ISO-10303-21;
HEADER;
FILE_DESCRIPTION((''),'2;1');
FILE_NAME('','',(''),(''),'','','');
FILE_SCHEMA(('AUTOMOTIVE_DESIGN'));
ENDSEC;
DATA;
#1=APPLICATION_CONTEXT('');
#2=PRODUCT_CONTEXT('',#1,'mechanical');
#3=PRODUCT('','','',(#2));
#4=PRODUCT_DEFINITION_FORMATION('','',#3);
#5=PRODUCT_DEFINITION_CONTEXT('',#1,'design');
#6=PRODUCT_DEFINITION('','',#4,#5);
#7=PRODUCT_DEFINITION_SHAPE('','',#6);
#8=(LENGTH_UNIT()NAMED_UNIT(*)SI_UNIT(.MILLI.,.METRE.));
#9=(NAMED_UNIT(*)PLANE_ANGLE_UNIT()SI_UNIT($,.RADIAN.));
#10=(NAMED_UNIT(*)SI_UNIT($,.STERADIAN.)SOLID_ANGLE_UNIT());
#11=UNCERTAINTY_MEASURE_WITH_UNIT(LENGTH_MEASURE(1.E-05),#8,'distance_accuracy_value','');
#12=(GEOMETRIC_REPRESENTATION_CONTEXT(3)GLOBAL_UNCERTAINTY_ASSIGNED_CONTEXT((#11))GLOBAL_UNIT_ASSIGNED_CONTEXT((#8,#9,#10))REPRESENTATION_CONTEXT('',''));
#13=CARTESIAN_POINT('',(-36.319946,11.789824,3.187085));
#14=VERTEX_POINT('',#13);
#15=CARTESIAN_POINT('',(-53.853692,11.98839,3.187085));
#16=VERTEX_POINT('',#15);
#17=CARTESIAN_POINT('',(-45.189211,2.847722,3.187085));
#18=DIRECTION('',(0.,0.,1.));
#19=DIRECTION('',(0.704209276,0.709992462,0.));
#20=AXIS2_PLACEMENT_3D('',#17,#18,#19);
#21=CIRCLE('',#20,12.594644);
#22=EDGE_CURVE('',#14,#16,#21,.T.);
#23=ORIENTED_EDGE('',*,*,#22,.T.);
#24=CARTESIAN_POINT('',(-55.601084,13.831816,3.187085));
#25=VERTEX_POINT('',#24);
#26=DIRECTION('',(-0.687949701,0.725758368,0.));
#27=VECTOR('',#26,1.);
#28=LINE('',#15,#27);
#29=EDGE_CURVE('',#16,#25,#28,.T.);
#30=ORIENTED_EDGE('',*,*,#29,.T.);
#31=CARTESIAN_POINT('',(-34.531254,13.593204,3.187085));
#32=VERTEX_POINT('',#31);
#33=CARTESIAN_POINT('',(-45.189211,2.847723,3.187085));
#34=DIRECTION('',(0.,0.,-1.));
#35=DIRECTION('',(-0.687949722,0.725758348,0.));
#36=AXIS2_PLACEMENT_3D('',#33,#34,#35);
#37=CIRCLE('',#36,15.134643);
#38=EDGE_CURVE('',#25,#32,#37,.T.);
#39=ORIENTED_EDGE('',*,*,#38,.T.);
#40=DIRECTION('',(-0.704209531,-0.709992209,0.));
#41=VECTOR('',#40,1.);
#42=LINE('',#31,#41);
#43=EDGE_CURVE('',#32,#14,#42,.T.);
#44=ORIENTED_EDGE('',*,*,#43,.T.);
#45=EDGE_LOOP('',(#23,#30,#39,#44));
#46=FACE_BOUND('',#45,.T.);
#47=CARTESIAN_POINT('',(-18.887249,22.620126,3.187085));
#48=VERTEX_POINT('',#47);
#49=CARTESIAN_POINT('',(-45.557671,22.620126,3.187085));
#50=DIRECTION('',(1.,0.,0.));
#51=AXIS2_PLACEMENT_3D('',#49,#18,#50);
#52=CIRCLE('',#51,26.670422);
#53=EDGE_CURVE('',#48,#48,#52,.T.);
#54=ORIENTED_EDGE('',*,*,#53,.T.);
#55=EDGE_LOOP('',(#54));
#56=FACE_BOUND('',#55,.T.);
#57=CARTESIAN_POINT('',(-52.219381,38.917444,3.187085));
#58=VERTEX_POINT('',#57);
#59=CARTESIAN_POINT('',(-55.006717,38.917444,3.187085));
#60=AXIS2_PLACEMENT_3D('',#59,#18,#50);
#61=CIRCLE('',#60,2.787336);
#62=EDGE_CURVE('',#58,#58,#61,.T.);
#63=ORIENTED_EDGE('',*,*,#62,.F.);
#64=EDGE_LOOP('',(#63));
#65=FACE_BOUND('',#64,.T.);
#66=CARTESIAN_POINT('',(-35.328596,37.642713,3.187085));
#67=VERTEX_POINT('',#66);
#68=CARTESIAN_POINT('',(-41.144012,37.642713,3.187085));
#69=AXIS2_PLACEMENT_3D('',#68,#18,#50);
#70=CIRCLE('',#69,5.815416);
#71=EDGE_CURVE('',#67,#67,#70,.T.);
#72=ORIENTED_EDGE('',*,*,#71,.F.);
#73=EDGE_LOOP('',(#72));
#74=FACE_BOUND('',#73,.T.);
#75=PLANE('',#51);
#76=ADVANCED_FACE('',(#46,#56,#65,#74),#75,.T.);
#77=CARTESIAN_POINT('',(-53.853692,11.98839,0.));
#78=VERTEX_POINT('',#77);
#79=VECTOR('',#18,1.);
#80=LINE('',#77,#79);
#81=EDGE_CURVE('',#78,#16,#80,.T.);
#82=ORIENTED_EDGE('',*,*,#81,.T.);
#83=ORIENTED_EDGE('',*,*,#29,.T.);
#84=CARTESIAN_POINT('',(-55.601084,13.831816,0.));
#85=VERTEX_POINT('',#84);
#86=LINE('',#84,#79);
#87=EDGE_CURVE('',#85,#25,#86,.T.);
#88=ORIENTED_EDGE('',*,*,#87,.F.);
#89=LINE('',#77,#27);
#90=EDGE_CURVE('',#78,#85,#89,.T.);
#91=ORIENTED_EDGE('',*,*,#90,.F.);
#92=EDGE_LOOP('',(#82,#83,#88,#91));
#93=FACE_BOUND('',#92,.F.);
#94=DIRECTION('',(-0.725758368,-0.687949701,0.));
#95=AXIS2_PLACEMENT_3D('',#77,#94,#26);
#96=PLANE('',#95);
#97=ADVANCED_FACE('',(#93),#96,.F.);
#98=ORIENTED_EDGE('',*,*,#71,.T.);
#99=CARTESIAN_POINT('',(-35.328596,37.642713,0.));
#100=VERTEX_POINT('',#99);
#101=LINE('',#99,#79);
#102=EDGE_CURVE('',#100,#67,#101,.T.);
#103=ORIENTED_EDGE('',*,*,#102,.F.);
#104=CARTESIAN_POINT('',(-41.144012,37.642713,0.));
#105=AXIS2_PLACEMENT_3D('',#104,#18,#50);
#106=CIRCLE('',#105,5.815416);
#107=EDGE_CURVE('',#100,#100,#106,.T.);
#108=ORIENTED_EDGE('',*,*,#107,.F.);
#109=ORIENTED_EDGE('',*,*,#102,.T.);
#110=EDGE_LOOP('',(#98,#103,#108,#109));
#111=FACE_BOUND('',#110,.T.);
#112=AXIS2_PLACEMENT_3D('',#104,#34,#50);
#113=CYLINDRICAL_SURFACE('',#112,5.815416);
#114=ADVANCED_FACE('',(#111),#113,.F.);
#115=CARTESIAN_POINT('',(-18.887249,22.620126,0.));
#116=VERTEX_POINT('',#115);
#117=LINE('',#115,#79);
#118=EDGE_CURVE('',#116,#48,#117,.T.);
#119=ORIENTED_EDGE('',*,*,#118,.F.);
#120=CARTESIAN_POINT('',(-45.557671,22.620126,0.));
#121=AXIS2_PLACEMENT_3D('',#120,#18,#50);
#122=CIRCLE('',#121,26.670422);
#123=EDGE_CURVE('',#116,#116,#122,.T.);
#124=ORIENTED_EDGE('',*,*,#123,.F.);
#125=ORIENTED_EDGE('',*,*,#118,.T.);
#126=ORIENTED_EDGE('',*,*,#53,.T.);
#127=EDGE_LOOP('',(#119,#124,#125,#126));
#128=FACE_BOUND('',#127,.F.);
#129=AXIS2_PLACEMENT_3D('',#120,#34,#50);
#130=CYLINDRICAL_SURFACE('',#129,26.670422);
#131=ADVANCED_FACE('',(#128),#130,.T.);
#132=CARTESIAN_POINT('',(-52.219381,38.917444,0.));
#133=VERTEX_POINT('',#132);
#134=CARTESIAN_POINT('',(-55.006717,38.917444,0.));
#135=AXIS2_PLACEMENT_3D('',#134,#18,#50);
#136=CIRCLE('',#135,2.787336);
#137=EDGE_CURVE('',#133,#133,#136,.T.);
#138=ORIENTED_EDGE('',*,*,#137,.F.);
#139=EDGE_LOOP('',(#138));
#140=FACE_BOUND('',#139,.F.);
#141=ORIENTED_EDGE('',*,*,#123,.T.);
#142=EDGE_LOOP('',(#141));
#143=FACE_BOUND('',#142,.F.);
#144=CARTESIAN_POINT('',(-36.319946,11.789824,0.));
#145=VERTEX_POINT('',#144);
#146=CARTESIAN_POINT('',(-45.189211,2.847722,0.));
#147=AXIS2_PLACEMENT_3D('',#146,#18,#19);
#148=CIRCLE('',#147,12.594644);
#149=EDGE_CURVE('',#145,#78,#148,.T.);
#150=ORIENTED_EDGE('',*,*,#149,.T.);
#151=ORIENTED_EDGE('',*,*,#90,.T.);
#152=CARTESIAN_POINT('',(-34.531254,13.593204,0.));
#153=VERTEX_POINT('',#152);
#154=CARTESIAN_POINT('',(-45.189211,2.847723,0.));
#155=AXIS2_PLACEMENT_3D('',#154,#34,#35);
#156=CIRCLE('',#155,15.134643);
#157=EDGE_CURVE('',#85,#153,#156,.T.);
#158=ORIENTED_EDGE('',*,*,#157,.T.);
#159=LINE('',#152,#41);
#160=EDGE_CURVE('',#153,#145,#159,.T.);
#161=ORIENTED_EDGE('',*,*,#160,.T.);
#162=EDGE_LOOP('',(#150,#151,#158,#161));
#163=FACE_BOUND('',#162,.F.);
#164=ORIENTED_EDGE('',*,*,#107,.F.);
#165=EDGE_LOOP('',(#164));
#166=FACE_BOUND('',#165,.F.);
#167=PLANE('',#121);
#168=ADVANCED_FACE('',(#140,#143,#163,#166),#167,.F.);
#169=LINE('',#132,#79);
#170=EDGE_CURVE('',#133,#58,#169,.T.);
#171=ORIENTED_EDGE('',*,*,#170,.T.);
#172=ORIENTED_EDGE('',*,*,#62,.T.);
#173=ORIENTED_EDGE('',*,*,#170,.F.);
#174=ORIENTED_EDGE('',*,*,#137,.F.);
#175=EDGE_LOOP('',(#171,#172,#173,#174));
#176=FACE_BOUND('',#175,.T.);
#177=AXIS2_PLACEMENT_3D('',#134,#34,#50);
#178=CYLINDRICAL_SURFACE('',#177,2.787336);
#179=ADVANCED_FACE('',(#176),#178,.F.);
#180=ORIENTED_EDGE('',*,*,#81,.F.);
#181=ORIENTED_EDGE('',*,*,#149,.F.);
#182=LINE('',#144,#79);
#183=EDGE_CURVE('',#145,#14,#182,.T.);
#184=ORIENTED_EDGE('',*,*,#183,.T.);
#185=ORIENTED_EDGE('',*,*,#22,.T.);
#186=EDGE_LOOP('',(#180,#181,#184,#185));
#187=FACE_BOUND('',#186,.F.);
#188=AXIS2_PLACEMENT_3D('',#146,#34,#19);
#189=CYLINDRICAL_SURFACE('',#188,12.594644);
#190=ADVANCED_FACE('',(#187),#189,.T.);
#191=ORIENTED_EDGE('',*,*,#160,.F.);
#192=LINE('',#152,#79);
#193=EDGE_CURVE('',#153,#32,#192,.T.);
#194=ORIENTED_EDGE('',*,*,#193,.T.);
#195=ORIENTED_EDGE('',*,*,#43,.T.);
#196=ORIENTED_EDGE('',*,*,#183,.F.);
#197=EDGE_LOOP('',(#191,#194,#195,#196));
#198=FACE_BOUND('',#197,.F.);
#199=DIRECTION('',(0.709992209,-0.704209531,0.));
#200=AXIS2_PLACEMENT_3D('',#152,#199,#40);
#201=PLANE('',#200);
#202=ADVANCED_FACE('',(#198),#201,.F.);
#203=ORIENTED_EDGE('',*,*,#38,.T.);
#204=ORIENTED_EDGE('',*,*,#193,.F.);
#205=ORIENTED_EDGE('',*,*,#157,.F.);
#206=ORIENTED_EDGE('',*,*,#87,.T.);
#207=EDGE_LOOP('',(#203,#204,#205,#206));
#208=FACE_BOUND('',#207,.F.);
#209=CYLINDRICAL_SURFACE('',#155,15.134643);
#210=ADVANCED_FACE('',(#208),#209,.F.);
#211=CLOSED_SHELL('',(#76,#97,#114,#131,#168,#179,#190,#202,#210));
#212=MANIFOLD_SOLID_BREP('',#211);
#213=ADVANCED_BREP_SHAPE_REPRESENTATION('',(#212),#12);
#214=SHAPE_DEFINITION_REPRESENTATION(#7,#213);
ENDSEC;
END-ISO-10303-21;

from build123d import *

# Parameters (mm, degrees)
F0_R     = 26.670422
F0_R_2   = 2.787336
F0_R_3   = 5.815416
F1_DEPTH = 3.187085


with BuildPart() as f1:
    # F0 (on Top) → F1 (new body)
    with BuildSketch(Plane.XY):
        with Locations((-45.557671, 22.620126)):
            Circle(F0_R)
        with BuildLine():
            ThreePointArc((-55.601084, 13.831816), (-45.017825, 17.981395), (-34.531254, 13.593204))
            Line((-34.531254, 13.593204), (-36.319946, 11.789824))
            ThreePointArc((-36.319946, 11.789824), (-45.046588, 15.441558), (-53.853692, 11.98839))
            Line((-53.853692, 11.98839), (-55.601084, 13.831816))
        make_face(mode=Mode.SUBTRACT)
        with Locations((-55.006717, 38.917444)):
            Circle(F0_R_2, mode=Mode.SUBTRACT)
        with Locations((-41.144012, 37.642713)):
            Circle(F0_R_3, mode=Mode.SUBTRACT)
    extrude(amount=F1_DEPTH)


solid = f1.part
